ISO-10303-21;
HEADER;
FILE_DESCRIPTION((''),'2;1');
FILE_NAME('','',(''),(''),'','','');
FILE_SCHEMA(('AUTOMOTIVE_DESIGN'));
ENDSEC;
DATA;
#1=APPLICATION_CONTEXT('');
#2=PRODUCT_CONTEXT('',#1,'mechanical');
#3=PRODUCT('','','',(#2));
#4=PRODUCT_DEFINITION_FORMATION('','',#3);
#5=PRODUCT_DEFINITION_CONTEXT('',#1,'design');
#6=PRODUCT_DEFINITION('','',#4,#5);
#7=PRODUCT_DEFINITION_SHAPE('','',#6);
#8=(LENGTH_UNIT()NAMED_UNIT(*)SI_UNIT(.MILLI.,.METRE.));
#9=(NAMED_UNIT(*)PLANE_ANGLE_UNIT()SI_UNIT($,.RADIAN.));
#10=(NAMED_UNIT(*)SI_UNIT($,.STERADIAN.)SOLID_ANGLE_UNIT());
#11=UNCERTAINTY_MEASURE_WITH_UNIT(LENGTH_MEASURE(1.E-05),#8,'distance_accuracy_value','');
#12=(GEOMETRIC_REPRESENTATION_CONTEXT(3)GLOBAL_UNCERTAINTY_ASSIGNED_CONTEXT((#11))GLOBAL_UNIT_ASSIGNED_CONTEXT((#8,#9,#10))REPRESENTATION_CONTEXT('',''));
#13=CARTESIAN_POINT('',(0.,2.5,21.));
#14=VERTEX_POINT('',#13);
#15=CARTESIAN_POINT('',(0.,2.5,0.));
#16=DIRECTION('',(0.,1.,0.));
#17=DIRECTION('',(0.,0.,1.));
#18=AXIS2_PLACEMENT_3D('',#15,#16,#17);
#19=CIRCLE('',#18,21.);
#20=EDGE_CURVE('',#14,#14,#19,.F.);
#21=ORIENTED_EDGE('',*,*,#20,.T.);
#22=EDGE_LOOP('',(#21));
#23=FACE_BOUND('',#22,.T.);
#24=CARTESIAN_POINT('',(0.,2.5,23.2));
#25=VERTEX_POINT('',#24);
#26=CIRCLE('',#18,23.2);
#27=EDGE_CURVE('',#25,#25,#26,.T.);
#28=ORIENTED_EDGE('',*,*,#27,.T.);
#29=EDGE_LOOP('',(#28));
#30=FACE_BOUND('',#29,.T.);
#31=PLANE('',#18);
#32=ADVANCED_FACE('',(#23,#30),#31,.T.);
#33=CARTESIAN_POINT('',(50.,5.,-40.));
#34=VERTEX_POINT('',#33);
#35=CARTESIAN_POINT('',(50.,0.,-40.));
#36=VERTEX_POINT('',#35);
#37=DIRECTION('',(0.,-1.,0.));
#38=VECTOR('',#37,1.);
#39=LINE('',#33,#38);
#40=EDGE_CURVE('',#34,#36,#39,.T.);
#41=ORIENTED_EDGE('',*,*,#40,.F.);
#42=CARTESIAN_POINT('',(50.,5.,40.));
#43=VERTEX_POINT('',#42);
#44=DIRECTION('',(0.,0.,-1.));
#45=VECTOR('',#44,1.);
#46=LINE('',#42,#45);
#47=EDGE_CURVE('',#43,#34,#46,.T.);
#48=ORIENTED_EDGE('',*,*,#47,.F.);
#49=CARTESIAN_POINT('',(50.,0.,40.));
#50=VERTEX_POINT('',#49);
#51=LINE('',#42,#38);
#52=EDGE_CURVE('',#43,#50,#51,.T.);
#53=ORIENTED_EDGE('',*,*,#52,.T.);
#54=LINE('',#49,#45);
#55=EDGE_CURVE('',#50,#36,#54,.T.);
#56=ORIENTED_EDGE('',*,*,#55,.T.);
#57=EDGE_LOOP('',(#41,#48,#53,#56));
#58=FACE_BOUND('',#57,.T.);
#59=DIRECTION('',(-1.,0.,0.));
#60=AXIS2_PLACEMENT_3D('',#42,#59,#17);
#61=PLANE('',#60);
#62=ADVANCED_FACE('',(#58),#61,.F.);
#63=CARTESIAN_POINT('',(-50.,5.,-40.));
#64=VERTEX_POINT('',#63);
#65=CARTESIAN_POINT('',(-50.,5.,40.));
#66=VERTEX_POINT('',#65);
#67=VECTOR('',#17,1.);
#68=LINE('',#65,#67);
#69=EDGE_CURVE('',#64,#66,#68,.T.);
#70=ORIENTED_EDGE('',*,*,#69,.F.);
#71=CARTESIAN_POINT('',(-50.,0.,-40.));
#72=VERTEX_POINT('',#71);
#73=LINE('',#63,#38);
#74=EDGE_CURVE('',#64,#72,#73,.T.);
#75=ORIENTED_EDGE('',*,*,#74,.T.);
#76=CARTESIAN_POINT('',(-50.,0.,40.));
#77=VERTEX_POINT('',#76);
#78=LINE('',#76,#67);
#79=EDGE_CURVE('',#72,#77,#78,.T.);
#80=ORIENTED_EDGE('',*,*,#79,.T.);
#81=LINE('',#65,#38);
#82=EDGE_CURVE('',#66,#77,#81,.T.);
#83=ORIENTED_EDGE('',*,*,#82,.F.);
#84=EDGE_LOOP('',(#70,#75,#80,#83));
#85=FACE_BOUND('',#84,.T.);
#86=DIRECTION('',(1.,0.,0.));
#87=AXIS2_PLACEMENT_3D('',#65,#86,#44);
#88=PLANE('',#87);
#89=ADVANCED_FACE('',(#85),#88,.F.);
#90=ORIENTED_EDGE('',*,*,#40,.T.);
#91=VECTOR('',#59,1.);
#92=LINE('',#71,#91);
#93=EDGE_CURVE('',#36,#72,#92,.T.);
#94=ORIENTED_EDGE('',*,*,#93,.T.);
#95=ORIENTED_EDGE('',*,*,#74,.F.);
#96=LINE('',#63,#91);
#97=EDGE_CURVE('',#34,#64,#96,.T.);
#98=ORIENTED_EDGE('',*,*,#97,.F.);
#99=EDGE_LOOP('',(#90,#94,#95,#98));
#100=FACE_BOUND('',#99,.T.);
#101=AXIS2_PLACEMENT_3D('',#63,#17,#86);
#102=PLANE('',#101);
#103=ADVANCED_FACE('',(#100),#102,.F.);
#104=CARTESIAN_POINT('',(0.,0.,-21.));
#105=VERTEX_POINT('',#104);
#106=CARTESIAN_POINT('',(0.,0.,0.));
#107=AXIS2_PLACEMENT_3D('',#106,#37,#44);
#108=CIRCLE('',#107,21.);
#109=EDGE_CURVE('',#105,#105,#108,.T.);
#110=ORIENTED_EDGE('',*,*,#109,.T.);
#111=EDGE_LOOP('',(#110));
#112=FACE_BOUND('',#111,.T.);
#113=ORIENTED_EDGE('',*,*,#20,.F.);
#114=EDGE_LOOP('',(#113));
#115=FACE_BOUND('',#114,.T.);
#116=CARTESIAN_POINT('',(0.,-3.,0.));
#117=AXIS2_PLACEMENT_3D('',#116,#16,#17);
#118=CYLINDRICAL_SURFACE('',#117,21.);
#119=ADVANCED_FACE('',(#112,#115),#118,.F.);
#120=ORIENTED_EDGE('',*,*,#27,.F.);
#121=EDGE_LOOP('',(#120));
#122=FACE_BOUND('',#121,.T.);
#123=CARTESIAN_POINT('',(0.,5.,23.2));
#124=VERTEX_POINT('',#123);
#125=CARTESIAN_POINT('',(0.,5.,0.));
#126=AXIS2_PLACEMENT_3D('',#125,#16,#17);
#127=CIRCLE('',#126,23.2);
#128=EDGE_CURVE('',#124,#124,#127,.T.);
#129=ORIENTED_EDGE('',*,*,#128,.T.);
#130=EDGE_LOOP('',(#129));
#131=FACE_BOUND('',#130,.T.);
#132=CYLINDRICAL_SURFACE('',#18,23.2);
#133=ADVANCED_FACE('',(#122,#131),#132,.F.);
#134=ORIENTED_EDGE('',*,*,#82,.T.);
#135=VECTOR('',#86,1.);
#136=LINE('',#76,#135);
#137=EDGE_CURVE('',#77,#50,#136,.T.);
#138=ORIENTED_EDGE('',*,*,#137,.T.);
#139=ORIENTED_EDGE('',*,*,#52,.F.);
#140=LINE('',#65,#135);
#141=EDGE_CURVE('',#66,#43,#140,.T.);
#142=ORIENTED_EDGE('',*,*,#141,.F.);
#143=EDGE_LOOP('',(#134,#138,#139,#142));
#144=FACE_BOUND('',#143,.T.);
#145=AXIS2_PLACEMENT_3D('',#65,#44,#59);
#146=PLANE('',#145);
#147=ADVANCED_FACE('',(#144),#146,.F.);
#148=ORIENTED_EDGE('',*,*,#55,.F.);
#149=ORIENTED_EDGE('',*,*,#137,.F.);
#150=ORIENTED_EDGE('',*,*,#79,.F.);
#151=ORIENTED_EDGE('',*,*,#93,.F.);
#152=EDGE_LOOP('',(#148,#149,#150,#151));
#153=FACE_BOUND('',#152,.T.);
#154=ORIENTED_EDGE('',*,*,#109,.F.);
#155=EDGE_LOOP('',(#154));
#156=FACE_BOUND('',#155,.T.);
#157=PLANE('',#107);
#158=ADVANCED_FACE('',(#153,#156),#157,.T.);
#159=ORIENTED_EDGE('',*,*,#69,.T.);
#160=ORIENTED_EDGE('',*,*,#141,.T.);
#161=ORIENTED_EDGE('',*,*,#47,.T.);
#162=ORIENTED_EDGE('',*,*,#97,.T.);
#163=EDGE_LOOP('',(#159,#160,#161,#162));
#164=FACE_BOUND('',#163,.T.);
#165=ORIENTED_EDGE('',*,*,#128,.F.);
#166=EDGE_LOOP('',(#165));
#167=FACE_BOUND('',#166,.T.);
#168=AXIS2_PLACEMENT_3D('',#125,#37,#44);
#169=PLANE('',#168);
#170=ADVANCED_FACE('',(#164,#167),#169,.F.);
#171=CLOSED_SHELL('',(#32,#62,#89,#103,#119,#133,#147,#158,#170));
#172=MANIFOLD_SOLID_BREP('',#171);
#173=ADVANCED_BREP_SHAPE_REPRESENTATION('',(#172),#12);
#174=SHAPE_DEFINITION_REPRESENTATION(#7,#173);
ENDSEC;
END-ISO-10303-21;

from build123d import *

# Parameters (mm, degrees)
SKETCH1_W           = 100
SKETCH1_H           = 80
BOSS_EXTRUDE1_DEPTH = 5
SKETCH2_R           = 21
CUT_EXTRUDE1_DEPTH  = 8
SKETCH3_R           = 23.2
CUT_EXTRUDE2_DEPTH  = 2.5


with BuildPart() as part:
    # Sketch1 → Boss-Extrude1 (new body)
    with BuildSketch(Plane(origin=(0, 0, 0), x_dir=(1, 0, 0), z_dir=(0, 1, 0))):
        Rectangle(SKETCH1_W, SKETCH1_H)
    extrude(amount=BOSS_EXTRUDE1_DEPTH)

    # Sketch2 → Cut-Extrude1 (cut)
    with BuildSketch(Plane(origin=(0, 5, 0), x_dir=(1, 0, 0), z_dir=(0, 1, 0))):
        with Locations(Location((0, 0, 0), (0, 0, 270))):
            Circle(SKETCH2_R)
    extrude(amount=-CUT_EXTRUDE1_DEPTH, mode=Mode.SUBTRACT)

    # Sketch3 → Cut-Extrude2 (cut)
    with BuildSketch(Plane(origin=(0, 5, 0), x_dir=(1, 0, 0), z_dir=(0, 1, 0))):
        with Locations(Location((0, 0, 0), (0, 0, 270))):
            Circle(SKETCH3_R)
    extrude(amount=-CUT_EXTRUDE2_DEPTH, mode=Mode.SUBTRACT)


solid = part.part
